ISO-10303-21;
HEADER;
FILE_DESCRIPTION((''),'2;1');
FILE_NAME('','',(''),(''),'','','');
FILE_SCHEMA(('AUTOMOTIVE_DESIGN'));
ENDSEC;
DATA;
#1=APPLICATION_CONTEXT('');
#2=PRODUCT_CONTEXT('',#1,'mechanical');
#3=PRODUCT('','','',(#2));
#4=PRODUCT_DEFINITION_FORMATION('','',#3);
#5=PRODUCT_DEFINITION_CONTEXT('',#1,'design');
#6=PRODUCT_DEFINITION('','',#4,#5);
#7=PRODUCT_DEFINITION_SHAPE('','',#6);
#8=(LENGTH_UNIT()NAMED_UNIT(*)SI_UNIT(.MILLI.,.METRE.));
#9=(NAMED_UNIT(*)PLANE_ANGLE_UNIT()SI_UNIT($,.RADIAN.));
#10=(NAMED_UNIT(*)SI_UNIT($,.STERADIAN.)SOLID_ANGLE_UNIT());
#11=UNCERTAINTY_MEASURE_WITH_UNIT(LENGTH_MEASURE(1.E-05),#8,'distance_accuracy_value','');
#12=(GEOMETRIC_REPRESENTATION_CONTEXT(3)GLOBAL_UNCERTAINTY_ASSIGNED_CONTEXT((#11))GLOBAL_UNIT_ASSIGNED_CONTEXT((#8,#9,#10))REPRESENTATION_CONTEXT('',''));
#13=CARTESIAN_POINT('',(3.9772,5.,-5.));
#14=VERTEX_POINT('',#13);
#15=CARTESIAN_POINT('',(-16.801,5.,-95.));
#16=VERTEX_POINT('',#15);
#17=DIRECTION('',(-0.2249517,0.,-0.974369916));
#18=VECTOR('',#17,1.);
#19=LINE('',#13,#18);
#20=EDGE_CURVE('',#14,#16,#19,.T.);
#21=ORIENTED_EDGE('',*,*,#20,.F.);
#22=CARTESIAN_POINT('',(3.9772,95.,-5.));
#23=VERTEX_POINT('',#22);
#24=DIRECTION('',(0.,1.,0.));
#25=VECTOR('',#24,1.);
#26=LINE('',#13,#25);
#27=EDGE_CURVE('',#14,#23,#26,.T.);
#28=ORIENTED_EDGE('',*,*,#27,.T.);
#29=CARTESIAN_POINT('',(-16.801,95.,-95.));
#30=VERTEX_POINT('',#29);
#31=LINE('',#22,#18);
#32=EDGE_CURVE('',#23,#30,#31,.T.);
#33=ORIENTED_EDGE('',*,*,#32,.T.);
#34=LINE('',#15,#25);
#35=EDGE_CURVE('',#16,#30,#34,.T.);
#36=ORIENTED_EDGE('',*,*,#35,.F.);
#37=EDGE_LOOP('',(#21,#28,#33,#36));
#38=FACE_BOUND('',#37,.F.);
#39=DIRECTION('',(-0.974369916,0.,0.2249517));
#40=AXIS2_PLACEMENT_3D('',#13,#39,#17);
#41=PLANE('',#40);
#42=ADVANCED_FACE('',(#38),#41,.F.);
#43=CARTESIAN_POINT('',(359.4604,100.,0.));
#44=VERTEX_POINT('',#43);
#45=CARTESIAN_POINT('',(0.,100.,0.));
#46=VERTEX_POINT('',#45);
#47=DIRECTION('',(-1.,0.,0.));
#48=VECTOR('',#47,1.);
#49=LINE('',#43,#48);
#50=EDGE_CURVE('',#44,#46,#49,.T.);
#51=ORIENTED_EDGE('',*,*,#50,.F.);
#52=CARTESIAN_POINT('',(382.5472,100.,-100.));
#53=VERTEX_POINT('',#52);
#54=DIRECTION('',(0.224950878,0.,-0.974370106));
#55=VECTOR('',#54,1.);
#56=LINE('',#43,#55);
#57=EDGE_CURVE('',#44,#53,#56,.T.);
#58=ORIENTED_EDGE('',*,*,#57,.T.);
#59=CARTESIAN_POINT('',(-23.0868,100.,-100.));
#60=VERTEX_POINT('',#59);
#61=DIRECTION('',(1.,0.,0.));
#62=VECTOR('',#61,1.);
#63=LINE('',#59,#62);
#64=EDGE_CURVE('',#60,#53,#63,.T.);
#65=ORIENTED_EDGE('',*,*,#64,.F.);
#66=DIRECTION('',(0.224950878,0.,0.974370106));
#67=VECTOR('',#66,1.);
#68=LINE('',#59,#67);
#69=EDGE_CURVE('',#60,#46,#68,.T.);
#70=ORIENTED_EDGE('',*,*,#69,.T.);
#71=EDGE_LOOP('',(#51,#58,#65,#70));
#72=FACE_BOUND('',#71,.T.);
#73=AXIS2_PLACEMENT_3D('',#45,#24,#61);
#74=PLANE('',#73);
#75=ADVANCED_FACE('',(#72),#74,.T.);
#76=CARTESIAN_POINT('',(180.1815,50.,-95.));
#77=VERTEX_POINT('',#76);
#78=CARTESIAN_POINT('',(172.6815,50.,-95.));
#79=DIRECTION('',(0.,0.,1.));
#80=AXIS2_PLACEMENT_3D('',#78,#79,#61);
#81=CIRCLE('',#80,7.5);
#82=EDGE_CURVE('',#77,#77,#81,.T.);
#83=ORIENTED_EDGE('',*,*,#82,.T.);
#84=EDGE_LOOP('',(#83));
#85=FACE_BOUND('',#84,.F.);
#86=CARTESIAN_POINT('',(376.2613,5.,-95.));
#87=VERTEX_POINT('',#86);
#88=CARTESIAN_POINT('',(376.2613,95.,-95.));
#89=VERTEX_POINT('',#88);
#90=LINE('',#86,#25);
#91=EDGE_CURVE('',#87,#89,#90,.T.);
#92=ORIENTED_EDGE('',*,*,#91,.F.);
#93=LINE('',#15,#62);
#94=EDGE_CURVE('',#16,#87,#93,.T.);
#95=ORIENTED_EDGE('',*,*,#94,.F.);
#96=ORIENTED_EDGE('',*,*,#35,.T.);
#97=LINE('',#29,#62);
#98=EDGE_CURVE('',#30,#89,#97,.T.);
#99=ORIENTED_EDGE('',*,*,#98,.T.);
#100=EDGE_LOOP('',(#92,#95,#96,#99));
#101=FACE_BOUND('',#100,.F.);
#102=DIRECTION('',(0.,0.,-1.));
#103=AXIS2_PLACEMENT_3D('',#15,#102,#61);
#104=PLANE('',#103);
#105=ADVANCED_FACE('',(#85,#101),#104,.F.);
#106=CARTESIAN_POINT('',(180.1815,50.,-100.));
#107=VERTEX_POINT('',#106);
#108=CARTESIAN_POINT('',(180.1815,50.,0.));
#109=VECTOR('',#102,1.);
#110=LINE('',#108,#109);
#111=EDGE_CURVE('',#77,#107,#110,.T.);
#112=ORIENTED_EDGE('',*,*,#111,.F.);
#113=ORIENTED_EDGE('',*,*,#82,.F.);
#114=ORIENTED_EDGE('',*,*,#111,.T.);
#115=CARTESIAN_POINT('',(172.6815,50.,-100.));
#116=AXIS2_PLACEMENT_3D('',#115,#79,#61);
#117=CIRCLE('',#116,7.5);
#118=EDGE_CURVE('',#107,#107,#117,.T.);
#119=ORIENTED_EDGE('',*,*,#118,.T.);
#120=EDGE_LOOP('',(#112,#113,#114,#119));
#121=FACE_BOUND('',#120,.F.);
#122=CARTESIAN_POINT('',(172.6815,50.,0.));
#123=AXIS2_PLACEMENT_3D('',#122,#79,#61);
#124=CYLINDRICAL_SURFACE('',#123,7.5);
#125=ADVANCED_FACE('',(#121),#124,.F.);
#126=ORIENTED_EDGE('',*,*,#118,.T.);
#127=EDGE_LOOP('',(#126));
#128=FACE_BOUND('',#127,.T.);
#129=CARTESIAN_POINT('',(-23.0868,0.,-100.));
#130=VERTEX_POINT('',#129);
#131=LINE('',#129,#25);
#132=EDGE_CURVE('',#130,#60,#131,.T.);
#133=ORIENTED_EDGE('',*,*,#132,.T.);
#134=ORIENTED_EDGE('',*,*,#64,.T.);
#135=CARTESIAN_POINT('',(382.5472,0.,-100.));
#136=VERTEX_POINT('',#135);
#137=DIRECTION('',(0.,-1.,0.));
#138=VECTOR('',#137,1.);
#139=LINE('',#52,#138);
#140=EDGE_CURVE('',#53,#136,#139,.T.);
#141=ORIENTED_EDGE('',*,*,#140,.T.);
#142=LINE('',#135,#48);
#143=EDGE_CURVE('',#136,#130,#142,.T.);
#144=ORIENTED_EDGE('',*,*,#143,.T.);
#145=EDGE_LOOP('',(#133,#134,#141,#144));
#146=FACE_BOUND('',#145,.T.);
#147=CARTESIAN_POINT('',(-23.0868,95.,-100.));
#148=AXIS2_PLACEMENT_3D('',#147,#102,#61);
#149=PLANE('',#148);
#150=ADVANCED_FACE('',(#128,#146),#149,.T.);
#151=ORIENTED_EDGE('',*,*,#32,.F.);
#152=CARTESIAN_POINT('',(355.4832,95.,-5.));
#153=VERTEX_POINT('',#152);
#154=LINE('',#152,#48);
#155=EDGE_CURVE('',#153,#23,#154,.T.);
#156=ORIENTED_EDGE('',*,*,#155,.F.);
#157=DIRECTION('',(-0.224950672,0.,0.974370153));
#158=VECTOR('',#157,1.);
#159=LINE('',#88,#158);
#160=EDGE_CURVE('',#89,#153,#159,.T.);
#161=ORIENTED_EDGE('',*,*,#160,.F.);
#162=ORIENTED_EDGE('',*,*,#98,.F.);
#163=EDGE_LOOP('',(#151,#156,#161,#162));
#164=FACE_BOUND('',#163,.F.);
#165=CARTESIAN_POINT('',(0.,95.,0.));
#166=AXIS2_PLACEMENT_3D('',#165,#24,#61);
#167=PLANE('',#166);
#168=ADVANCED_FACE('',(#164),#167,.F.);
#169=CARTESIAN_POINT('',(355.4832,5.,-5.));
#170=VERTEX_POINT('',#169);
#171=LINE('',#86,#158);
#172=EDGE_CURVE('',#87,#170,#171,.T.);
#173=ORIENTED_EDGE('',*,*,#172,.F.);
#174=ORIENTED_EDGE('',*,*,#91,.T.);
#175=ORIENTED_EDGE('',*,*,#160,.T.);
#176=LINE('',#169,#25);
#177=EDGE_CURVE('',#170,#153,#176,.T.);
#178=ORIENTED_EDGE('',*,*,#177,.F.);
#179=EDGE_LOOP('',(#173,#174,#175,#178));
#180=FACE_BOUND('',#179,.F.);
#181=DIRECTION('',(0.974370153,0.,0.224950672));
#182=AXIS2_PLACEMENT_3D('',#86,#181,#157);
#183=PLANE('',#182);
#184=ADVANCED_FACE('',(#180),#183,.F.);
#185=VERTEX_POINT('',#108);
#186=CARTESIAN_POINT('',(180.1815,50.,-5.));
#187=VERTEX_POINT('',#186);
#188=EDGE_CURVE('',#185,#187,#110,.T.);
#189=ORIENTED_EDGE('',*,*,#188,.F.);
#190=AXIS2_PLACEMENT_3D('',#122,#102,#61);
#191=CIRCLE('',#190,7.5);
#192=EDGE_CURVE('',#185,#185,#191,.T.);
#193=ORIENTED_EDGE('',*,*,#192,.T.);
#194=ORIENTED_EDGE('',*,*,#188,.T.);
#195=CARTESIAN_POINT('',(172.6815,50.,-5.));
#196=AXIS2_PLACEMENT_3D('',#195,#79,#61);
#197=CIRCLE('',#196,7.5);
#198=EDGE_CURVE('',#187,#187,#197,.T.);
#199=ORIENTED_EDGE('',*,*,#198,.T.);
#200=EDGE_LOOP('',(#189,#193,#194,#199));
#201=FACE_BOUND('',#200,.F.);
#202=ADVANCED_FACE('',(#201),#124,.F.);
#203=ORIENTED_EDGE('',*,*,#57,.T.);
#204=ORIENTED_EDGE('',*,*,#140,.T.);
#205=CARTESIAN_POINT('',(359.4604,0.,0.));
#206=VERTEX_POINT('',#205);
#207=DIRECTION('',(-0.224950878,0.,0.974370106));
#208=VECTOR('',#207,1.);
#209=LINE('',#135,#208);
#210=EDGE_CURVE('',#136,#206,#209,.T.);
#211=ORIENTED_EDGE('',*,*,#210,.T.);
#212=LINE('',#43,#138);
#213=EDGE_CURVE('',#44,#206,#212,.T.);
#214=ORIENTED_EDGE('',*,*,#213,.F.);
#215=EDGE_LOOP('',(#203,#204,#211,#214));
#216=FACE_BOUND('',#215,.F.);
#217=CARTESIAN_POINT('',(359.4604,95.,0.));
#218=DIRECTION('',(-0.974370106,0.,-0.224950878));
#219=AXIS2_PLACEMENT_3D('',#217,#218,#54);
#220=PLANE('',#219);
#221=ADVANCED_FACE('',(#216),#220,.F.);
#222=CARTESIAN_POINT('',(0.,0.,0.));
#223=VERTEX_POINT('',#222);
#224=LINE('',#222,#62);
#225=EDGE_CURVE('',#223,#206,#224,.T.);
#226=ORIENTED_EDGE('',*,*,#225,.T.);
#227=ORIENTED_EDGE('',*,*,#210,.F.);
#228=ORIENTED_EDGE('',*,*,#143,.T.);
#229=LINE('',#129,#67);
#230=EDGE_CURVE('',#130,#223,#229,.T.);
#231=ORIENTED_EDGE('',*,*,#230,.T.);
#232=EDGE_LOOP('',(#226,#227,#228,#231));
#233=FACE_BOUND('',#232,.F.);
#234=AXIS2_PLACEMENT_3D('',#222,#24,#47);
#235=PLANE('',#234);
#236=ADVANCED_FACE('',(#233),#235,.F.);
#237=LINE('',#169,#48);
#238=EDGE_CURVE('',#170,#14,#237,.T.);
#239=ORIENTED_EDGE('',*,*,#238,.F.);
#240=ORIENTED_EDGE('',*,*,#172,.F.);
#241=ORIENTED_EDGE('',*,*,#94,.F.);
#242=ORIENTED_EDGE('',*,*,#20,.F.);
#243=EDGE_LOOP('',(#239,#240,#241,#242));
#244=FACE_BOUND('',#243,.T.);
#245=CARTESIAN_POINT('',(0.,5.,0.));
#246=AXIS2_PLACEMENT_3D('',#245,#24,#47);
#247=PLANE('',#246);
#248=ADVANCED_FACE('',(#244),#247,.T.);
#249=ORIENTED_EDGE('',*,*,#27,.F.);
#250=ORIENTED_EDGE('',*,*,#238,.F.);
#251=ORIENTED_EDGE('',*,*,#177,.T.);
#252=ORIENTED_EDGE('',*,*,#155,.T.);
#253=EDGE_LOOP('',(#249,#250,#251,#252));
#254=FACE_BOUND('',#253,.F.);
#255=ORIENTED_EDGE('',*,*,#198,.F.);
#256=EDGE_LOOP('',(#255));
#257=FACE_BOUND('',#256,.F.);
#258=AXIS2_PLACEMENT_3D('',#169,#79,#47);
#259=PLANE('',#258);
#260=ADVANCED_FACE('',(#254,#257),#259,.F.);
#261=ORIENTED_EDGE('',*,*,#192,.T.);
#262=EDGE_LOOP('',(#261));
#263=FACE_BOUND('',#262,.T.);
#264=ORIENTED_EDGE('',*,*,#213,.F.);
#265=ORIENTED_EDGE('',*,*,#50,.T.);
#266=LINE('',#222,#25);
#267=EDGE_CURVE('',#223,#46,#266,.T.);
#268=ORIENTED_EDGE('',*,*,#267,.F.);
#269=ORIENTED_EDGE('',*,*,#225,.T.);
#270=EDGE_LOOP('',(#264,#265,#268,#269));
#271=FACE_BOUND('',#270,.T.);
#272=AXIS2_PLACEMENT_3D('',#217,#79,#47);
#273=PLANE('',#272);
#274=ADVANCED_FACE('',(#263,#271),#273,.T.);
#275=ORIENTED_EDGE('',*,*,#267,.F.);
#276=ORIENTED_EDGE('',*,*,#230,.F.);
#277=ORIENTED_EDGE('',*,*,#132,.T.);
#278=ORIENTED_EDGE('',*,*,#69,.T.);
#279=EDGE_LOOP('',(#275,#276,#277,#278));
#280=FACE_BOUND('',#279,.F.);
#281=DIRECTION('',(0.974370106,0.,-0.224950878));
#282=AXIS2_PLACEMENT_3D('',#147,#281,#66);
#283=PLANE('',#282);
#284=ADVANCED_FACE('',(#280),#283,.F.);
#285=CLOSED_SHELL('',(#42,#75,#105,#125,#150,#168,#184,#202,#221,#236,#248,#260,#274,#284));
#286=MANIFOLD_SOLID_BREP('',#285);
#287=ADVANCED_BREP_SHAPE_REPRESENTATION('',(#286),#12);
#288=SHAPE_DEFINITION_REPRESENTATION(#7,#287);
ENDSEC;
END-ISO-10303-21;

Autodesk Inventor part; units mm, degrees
ref_plane "YZ Plane" through (0, 0, 0) normal (1, 0, 0) x (0, 1, 0)
ref_plane "XZ Plane" through (0, 0, 0) normal (0, 1, 0) x (-1, 0, 0)
ref_plane "XY Plane" through (0, 0, 0) normal (0, 0, 1) x (1, 0, 0)
sketch "Sketch1" plane through (0, 0, 0) normal (0, 1, 0) x (-1, 0, 0)
  line L0 (0, 0) -> (-359.4604, 0)
  line L1 (-173.205, -100) -> (23.0868, -100)
  line L2 (23.0868, -100) -> (-382.5472, -100)
  line L3 (-382.5472, -100) -> (-359.4604, 0)
  line L4 (23.0868, -100) -> (0, 0)
  dimension "d16" = 103
  dimension "d17" = 100
  dimension "d18" = 405.634
  dimension "d19" = 103
extrude "Extrusion1" add sketch "Sketch1" along normal blind 5
sketch "Sketch2" plane through (0, 5, 0) normal (0, 1, 0) x (1, 0, 0)
  line L0 (-23.0868, 100) -> (0, 0) projected
  line L1 (0, 0) -> (-23.0868, 100)
  line L2 (382.5472, 100) -> (-23.0868, 100) projected
  line L3 (-23.0868, 100) -> (382.5472, 100)
  line L4 (359.4604, 0) -> (382.5472, 100) projected
  line L5 (382.5472, 100) -> (359.4604, 0)
  line L6 (359.4604, 0) -> (0, 0)
  line L7 (3.9772, 5) -> (-16.801, 95)
  line L8 (-16.801, 95) -> (376.2613, 95)
  line L9 (376.2613, 95) -> (355.4832, 5)
  line L10 (355.4832, 5) -> (3.9772, 5)
  dimension "d6" = 5
extrude "Extrusion2" add sketch "Sketch2" along normal blind 90
sketch "Sketch3" plane through (0, 0, 0) normal (0, 0, 1) x (1, 0, 0)
  line L0 (0, 0) -> (0, 50)
  line L1 (0, 0) -> (0, 95) projected
  line L2 (0, 50) -> (345.363, 50)
  circle A0 centre (172.6815, 50) radius 7.5
  dimension "d9" = 50
  dimension "d10" = 15
extrude "Extrusion3" cut sketch "Sketch3" against normal blind 455
sketch "Sketch4" plane through (0, 95, 0) normal (0, 1, 0) x (1, 0, 0)
  line L0 (-23.0868, 100) -> (0, 0) projected
  line L1 (0, 0) -> (-23.0868, 100)
  line L2 (359.4604, 0) -> (382.5472, 100) projected
  line L3 (-23.0868, 100) -> (382.5472, 100)
  line L4 (382.5472, 100) -> (359.4604, 0)
  line L5 (359.4604, 0) -> (0, 0)
  line L6 (355.4832, 5) -> (3.9772, 5) projected
extrude "Extrusion4" add sketch "Sketch4" along normal blind 5
properties part number "v chasis" material "Steel, Mild"
